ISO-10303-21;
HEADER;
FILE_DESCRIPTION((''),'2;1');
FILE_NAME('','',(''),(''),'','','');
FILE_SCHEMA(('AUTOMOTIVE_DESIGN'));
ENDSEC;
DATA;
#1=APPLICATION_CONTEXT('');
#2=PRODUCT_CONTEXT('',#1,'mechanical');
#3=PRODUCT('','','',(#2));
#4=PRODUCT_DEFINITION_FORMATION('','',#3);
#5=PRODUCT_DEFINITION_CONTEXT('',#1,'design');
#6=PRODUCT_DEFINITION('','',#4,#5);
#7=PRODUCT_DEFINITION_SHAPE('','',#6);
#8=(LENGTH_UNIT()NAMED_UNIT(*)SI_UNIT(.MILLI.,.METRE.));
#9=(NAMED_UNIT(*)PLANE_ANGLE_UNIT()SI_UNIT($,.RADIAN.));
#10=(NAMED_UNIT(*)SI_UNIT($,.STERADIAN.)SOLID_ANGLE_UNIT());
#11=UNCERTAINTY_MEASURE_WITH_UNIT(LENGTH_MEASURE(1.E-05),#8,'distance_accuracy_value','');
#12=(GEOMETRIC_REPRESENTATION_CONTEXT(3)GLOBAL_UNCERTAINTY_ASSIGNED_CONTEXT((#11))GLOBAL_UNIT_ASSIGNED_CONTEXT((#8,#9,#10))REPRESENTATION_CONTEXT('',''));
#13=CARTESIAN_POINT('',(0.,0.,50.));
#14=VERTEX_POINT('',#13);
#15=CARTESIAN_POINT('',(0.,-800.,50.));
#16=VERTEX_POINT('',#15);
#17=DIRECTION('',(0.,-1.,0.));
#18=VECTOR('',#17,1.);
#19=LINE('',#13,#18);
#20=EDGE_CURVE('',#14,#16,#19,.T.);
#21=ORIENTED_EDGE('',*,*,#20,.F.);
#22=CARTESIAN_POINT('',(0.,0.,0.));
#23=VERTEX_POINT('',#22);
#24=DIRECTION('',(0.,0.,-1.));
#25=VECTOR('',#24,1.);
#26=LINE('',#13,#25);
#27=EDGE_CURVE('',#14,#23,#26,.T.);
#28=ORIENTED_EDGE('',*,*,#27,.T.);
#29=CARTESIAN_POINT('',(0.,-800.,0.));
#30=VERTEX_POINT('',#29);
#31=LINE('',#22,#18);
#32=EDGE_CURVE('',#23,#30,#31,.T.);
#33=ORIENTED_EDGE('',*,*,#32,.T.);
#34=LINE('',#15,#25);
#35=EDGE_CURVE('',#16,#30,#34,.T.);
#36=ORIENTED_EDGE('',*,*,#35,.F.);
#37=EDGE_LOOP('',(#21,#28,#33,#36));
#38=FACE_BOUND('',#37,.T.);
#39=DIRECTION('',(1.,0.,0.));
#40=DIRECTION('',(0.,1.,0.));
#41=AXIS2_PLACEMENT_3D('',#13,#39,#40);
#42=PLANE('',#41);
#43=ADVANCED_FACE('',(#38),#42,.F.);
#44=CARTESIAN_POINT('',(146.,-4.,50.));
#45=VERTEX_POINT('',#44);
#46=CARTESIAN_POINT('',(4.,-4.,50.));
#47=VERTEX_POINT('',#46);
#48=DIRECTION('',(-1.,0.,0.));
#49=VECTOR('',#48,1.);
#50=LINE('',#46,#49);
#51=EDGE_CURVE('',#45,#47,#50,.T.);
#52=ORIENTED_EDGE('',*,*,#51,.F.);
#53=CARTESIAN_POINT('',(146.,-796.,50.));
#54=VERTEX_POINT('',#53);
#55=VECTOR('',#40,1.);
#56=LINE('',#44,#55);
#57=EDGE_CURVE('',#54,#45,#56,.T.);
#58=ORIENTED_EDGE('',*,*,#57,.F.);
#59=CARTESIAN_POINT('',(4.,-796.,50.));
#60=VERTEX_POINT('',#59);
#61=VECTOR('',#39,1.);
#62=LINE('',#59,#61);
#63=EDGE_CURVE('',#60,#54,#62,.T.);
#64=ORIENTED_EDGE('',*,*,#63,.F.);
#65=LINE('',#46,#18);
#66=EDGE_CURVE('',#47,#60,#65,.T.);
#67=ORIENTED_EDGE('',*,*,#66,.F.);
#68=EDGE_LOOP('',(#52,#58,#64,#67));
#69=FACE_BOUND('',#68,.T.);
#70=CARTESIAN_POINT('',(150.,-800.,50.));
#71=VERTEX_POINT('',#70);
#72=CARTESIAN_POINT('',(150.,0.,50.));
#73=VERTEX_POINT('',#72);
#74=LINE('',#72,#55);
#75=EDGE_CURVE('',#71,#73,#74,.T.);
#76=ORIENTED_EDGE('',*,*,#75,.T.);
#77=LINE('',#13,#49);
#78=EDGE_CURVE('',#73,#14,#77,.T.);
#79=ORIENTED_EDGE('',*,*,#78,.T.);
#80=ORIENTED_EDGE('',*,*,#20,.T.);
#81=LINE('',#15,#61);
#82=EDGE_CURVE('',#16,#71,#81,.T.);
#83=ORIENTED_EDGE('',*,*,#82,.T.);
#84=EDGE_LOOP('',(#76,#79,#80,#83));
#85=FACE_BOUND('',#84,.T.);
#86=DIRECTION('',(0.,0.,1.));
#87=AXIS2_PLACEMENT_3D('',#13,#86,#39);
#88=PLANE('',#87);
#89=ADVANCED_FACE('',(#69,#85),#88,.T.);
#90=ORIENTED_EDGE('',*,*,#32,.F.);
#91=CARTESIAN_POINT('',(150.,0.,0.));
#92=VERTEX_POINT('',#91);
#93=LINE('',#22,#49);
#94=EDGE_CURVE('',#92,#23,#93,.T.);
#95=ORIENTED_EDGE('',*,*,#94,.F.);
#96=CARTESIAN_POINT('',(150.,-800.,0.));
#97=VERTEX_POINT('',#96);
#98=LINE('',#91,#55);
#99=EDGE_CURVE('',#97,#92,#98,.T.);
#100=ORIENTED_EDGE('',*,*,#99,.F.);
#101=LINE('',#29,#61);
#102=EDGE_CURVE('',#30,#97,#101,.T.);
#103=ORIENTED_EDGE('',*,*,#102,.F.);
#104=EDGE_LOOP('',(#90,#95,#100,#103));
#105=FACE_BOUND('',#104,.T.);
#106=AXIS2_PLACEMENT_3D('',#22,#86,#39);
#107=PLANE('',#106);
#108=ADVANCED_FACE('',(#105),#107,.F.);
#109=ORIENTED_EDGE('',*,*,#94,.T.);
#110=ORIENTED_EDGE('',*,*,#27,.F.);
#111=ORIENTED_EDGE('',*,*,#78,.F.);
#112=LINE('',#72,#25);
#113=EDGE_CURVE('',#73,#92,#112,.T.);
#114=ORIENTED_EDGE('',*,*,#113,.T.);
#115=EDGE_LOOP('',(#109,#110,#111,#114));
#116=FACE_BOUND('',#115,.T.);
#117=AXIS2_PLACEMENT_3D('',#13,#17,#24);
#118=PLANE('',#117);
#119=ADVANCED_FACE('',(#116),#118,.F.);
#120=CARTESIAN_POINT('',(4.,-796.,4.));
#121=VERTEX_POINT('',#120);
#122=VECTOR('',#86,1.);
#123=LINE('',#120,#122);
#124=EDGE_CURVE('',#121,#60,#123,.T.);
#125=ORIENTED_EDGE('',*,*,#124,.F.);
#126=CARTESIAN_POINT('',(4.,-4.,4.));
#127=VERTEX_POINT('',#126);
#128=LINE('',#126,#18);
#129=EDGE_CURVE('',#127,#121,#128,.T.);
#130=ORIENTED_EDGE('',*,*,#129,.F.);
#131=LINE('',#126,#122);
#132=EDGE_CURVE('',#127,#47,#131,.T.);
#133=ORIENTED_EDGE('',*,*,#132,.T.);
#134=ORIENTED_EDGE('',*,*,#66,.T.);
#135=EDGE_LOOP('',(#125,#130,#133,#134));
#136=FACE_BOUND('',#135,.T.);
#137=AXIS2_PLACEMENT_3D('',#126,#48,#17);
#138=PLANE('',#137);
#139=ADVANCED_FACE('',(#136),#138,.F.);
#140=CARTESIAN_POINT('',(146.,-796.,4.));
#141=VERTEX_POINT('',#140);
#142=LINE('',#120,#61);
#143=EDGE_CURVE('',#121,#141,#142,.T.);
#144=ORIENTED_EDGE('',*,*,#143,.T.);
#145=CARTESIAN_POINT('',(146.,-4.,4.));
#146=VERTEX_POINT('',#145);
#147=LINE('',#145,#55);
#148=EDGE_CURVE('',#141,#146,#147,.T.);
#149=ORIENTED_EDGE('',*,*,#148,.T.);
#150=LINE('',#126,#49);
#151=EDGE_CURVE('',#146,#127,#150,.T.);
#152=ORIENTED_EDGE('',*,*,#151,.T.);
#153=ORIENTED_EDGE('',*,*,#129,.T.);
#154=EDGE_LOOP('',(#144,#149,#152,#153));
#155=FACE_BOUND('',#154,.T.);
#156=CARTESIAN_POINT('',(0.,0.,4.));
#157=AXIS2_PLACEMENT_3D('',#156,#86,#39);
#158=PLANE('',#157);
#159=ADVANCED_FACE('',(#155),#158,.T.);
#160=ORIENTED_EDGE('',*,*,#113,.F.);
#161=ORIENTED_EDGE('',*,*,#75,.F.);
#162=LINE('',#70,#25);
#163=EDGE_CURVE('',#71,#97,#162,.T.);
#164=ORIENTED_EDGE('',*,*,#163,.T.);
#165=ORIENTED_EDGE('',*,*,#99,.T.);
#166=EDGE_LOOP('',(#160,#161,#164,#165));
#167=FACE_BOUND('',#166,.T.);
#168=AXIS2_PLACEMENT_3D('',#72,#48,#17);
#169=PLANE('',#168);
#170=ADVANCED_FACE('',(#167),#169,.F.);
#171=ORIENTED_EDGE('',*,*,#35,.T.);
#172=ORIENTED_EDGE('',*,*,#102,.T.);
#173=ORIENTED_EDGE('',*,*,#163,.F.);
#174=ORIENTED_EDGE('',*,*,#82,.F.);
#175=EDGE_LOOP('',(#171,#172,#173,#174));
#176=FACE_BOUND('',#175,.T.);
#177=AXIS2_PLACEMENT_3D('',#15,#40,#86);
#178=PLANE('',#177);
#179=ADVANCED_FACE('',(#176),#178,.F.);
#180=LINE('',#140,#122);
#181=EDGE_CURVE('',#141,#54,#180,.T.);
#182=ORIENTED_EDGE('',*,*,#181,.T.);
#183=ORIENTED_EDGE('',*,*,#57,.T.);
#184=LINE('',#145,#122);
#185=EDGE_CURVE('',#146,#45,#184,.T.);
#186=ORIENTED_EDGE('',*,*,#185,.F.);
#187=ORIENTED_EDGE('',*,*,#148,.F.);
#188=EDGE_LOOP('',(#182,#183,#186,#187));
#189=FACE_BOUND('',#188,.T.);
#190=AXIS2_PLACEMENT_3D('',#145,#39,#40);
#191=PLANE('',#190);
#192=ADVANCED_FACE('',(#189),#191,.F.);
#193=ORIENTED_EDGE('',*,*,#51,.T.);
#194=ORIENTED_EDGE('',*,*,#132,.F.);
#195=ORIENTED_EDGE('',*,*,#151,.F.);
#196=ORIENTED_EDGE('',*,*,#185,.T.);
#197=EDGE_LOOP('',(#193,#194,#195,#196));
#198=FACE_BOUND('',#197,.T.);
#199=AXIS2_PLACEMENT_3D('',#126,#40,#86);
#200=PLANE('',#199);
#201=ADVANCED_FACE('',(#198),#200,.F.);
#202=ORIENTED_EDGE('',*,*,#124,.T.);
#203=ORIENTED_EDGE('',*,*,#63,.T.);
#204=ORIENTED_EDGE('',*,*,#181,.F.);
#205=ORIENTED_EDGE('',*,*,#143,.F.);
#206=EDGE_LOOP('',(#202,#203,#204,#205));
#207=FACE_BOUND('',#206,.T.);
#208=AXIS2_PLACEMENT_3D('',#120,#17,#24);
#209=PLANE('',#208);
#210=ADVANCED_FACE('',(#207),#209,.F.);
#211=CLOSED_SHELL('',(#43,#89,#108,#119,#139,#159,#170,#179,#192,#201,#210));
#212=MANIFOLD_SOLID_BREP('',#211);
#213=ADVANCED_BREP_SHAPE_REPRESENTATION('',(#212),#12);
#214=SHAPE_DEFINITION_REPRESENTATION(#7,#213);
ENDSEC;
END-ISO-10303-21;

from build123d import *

# Parameters (mm, degrees)
ESQUISSE1_W             = 150
ESQUISSE1_H             = 800
BOSS_EXTRU_1_DEPTH      = 50
ESQUISSE2_W             = 142
ESQUISSE2_H             = 792
ENL_V_MAT_EXTRU_1_DEPTH = 46


with BuildPart() as part:
    # Esquisse1 → Boss.-Extru.1 (new body)
    with BuildSketch(Plane.XY):
        with Locations((75, -400)):
            Rectangle(ESQUISSE1_W, ESQUISSE1_H)
    extrude(amount=BOSS_EXTRU_1_DEPTH)

    # Esquisse2 → Enlèv. mat.-Extru.1 (cut)
    with BuildSketch(Plane.XY.offset(50)):
        with Locations((75, -400)):
            Rectangle(ESQUISSE2_W, ESQUISSE2_H)
    extrude(amount=-ENL_V_MAT_EXTRU_1_DEPTH, mode=Mode.SUBTRACT)


solid = part.part
